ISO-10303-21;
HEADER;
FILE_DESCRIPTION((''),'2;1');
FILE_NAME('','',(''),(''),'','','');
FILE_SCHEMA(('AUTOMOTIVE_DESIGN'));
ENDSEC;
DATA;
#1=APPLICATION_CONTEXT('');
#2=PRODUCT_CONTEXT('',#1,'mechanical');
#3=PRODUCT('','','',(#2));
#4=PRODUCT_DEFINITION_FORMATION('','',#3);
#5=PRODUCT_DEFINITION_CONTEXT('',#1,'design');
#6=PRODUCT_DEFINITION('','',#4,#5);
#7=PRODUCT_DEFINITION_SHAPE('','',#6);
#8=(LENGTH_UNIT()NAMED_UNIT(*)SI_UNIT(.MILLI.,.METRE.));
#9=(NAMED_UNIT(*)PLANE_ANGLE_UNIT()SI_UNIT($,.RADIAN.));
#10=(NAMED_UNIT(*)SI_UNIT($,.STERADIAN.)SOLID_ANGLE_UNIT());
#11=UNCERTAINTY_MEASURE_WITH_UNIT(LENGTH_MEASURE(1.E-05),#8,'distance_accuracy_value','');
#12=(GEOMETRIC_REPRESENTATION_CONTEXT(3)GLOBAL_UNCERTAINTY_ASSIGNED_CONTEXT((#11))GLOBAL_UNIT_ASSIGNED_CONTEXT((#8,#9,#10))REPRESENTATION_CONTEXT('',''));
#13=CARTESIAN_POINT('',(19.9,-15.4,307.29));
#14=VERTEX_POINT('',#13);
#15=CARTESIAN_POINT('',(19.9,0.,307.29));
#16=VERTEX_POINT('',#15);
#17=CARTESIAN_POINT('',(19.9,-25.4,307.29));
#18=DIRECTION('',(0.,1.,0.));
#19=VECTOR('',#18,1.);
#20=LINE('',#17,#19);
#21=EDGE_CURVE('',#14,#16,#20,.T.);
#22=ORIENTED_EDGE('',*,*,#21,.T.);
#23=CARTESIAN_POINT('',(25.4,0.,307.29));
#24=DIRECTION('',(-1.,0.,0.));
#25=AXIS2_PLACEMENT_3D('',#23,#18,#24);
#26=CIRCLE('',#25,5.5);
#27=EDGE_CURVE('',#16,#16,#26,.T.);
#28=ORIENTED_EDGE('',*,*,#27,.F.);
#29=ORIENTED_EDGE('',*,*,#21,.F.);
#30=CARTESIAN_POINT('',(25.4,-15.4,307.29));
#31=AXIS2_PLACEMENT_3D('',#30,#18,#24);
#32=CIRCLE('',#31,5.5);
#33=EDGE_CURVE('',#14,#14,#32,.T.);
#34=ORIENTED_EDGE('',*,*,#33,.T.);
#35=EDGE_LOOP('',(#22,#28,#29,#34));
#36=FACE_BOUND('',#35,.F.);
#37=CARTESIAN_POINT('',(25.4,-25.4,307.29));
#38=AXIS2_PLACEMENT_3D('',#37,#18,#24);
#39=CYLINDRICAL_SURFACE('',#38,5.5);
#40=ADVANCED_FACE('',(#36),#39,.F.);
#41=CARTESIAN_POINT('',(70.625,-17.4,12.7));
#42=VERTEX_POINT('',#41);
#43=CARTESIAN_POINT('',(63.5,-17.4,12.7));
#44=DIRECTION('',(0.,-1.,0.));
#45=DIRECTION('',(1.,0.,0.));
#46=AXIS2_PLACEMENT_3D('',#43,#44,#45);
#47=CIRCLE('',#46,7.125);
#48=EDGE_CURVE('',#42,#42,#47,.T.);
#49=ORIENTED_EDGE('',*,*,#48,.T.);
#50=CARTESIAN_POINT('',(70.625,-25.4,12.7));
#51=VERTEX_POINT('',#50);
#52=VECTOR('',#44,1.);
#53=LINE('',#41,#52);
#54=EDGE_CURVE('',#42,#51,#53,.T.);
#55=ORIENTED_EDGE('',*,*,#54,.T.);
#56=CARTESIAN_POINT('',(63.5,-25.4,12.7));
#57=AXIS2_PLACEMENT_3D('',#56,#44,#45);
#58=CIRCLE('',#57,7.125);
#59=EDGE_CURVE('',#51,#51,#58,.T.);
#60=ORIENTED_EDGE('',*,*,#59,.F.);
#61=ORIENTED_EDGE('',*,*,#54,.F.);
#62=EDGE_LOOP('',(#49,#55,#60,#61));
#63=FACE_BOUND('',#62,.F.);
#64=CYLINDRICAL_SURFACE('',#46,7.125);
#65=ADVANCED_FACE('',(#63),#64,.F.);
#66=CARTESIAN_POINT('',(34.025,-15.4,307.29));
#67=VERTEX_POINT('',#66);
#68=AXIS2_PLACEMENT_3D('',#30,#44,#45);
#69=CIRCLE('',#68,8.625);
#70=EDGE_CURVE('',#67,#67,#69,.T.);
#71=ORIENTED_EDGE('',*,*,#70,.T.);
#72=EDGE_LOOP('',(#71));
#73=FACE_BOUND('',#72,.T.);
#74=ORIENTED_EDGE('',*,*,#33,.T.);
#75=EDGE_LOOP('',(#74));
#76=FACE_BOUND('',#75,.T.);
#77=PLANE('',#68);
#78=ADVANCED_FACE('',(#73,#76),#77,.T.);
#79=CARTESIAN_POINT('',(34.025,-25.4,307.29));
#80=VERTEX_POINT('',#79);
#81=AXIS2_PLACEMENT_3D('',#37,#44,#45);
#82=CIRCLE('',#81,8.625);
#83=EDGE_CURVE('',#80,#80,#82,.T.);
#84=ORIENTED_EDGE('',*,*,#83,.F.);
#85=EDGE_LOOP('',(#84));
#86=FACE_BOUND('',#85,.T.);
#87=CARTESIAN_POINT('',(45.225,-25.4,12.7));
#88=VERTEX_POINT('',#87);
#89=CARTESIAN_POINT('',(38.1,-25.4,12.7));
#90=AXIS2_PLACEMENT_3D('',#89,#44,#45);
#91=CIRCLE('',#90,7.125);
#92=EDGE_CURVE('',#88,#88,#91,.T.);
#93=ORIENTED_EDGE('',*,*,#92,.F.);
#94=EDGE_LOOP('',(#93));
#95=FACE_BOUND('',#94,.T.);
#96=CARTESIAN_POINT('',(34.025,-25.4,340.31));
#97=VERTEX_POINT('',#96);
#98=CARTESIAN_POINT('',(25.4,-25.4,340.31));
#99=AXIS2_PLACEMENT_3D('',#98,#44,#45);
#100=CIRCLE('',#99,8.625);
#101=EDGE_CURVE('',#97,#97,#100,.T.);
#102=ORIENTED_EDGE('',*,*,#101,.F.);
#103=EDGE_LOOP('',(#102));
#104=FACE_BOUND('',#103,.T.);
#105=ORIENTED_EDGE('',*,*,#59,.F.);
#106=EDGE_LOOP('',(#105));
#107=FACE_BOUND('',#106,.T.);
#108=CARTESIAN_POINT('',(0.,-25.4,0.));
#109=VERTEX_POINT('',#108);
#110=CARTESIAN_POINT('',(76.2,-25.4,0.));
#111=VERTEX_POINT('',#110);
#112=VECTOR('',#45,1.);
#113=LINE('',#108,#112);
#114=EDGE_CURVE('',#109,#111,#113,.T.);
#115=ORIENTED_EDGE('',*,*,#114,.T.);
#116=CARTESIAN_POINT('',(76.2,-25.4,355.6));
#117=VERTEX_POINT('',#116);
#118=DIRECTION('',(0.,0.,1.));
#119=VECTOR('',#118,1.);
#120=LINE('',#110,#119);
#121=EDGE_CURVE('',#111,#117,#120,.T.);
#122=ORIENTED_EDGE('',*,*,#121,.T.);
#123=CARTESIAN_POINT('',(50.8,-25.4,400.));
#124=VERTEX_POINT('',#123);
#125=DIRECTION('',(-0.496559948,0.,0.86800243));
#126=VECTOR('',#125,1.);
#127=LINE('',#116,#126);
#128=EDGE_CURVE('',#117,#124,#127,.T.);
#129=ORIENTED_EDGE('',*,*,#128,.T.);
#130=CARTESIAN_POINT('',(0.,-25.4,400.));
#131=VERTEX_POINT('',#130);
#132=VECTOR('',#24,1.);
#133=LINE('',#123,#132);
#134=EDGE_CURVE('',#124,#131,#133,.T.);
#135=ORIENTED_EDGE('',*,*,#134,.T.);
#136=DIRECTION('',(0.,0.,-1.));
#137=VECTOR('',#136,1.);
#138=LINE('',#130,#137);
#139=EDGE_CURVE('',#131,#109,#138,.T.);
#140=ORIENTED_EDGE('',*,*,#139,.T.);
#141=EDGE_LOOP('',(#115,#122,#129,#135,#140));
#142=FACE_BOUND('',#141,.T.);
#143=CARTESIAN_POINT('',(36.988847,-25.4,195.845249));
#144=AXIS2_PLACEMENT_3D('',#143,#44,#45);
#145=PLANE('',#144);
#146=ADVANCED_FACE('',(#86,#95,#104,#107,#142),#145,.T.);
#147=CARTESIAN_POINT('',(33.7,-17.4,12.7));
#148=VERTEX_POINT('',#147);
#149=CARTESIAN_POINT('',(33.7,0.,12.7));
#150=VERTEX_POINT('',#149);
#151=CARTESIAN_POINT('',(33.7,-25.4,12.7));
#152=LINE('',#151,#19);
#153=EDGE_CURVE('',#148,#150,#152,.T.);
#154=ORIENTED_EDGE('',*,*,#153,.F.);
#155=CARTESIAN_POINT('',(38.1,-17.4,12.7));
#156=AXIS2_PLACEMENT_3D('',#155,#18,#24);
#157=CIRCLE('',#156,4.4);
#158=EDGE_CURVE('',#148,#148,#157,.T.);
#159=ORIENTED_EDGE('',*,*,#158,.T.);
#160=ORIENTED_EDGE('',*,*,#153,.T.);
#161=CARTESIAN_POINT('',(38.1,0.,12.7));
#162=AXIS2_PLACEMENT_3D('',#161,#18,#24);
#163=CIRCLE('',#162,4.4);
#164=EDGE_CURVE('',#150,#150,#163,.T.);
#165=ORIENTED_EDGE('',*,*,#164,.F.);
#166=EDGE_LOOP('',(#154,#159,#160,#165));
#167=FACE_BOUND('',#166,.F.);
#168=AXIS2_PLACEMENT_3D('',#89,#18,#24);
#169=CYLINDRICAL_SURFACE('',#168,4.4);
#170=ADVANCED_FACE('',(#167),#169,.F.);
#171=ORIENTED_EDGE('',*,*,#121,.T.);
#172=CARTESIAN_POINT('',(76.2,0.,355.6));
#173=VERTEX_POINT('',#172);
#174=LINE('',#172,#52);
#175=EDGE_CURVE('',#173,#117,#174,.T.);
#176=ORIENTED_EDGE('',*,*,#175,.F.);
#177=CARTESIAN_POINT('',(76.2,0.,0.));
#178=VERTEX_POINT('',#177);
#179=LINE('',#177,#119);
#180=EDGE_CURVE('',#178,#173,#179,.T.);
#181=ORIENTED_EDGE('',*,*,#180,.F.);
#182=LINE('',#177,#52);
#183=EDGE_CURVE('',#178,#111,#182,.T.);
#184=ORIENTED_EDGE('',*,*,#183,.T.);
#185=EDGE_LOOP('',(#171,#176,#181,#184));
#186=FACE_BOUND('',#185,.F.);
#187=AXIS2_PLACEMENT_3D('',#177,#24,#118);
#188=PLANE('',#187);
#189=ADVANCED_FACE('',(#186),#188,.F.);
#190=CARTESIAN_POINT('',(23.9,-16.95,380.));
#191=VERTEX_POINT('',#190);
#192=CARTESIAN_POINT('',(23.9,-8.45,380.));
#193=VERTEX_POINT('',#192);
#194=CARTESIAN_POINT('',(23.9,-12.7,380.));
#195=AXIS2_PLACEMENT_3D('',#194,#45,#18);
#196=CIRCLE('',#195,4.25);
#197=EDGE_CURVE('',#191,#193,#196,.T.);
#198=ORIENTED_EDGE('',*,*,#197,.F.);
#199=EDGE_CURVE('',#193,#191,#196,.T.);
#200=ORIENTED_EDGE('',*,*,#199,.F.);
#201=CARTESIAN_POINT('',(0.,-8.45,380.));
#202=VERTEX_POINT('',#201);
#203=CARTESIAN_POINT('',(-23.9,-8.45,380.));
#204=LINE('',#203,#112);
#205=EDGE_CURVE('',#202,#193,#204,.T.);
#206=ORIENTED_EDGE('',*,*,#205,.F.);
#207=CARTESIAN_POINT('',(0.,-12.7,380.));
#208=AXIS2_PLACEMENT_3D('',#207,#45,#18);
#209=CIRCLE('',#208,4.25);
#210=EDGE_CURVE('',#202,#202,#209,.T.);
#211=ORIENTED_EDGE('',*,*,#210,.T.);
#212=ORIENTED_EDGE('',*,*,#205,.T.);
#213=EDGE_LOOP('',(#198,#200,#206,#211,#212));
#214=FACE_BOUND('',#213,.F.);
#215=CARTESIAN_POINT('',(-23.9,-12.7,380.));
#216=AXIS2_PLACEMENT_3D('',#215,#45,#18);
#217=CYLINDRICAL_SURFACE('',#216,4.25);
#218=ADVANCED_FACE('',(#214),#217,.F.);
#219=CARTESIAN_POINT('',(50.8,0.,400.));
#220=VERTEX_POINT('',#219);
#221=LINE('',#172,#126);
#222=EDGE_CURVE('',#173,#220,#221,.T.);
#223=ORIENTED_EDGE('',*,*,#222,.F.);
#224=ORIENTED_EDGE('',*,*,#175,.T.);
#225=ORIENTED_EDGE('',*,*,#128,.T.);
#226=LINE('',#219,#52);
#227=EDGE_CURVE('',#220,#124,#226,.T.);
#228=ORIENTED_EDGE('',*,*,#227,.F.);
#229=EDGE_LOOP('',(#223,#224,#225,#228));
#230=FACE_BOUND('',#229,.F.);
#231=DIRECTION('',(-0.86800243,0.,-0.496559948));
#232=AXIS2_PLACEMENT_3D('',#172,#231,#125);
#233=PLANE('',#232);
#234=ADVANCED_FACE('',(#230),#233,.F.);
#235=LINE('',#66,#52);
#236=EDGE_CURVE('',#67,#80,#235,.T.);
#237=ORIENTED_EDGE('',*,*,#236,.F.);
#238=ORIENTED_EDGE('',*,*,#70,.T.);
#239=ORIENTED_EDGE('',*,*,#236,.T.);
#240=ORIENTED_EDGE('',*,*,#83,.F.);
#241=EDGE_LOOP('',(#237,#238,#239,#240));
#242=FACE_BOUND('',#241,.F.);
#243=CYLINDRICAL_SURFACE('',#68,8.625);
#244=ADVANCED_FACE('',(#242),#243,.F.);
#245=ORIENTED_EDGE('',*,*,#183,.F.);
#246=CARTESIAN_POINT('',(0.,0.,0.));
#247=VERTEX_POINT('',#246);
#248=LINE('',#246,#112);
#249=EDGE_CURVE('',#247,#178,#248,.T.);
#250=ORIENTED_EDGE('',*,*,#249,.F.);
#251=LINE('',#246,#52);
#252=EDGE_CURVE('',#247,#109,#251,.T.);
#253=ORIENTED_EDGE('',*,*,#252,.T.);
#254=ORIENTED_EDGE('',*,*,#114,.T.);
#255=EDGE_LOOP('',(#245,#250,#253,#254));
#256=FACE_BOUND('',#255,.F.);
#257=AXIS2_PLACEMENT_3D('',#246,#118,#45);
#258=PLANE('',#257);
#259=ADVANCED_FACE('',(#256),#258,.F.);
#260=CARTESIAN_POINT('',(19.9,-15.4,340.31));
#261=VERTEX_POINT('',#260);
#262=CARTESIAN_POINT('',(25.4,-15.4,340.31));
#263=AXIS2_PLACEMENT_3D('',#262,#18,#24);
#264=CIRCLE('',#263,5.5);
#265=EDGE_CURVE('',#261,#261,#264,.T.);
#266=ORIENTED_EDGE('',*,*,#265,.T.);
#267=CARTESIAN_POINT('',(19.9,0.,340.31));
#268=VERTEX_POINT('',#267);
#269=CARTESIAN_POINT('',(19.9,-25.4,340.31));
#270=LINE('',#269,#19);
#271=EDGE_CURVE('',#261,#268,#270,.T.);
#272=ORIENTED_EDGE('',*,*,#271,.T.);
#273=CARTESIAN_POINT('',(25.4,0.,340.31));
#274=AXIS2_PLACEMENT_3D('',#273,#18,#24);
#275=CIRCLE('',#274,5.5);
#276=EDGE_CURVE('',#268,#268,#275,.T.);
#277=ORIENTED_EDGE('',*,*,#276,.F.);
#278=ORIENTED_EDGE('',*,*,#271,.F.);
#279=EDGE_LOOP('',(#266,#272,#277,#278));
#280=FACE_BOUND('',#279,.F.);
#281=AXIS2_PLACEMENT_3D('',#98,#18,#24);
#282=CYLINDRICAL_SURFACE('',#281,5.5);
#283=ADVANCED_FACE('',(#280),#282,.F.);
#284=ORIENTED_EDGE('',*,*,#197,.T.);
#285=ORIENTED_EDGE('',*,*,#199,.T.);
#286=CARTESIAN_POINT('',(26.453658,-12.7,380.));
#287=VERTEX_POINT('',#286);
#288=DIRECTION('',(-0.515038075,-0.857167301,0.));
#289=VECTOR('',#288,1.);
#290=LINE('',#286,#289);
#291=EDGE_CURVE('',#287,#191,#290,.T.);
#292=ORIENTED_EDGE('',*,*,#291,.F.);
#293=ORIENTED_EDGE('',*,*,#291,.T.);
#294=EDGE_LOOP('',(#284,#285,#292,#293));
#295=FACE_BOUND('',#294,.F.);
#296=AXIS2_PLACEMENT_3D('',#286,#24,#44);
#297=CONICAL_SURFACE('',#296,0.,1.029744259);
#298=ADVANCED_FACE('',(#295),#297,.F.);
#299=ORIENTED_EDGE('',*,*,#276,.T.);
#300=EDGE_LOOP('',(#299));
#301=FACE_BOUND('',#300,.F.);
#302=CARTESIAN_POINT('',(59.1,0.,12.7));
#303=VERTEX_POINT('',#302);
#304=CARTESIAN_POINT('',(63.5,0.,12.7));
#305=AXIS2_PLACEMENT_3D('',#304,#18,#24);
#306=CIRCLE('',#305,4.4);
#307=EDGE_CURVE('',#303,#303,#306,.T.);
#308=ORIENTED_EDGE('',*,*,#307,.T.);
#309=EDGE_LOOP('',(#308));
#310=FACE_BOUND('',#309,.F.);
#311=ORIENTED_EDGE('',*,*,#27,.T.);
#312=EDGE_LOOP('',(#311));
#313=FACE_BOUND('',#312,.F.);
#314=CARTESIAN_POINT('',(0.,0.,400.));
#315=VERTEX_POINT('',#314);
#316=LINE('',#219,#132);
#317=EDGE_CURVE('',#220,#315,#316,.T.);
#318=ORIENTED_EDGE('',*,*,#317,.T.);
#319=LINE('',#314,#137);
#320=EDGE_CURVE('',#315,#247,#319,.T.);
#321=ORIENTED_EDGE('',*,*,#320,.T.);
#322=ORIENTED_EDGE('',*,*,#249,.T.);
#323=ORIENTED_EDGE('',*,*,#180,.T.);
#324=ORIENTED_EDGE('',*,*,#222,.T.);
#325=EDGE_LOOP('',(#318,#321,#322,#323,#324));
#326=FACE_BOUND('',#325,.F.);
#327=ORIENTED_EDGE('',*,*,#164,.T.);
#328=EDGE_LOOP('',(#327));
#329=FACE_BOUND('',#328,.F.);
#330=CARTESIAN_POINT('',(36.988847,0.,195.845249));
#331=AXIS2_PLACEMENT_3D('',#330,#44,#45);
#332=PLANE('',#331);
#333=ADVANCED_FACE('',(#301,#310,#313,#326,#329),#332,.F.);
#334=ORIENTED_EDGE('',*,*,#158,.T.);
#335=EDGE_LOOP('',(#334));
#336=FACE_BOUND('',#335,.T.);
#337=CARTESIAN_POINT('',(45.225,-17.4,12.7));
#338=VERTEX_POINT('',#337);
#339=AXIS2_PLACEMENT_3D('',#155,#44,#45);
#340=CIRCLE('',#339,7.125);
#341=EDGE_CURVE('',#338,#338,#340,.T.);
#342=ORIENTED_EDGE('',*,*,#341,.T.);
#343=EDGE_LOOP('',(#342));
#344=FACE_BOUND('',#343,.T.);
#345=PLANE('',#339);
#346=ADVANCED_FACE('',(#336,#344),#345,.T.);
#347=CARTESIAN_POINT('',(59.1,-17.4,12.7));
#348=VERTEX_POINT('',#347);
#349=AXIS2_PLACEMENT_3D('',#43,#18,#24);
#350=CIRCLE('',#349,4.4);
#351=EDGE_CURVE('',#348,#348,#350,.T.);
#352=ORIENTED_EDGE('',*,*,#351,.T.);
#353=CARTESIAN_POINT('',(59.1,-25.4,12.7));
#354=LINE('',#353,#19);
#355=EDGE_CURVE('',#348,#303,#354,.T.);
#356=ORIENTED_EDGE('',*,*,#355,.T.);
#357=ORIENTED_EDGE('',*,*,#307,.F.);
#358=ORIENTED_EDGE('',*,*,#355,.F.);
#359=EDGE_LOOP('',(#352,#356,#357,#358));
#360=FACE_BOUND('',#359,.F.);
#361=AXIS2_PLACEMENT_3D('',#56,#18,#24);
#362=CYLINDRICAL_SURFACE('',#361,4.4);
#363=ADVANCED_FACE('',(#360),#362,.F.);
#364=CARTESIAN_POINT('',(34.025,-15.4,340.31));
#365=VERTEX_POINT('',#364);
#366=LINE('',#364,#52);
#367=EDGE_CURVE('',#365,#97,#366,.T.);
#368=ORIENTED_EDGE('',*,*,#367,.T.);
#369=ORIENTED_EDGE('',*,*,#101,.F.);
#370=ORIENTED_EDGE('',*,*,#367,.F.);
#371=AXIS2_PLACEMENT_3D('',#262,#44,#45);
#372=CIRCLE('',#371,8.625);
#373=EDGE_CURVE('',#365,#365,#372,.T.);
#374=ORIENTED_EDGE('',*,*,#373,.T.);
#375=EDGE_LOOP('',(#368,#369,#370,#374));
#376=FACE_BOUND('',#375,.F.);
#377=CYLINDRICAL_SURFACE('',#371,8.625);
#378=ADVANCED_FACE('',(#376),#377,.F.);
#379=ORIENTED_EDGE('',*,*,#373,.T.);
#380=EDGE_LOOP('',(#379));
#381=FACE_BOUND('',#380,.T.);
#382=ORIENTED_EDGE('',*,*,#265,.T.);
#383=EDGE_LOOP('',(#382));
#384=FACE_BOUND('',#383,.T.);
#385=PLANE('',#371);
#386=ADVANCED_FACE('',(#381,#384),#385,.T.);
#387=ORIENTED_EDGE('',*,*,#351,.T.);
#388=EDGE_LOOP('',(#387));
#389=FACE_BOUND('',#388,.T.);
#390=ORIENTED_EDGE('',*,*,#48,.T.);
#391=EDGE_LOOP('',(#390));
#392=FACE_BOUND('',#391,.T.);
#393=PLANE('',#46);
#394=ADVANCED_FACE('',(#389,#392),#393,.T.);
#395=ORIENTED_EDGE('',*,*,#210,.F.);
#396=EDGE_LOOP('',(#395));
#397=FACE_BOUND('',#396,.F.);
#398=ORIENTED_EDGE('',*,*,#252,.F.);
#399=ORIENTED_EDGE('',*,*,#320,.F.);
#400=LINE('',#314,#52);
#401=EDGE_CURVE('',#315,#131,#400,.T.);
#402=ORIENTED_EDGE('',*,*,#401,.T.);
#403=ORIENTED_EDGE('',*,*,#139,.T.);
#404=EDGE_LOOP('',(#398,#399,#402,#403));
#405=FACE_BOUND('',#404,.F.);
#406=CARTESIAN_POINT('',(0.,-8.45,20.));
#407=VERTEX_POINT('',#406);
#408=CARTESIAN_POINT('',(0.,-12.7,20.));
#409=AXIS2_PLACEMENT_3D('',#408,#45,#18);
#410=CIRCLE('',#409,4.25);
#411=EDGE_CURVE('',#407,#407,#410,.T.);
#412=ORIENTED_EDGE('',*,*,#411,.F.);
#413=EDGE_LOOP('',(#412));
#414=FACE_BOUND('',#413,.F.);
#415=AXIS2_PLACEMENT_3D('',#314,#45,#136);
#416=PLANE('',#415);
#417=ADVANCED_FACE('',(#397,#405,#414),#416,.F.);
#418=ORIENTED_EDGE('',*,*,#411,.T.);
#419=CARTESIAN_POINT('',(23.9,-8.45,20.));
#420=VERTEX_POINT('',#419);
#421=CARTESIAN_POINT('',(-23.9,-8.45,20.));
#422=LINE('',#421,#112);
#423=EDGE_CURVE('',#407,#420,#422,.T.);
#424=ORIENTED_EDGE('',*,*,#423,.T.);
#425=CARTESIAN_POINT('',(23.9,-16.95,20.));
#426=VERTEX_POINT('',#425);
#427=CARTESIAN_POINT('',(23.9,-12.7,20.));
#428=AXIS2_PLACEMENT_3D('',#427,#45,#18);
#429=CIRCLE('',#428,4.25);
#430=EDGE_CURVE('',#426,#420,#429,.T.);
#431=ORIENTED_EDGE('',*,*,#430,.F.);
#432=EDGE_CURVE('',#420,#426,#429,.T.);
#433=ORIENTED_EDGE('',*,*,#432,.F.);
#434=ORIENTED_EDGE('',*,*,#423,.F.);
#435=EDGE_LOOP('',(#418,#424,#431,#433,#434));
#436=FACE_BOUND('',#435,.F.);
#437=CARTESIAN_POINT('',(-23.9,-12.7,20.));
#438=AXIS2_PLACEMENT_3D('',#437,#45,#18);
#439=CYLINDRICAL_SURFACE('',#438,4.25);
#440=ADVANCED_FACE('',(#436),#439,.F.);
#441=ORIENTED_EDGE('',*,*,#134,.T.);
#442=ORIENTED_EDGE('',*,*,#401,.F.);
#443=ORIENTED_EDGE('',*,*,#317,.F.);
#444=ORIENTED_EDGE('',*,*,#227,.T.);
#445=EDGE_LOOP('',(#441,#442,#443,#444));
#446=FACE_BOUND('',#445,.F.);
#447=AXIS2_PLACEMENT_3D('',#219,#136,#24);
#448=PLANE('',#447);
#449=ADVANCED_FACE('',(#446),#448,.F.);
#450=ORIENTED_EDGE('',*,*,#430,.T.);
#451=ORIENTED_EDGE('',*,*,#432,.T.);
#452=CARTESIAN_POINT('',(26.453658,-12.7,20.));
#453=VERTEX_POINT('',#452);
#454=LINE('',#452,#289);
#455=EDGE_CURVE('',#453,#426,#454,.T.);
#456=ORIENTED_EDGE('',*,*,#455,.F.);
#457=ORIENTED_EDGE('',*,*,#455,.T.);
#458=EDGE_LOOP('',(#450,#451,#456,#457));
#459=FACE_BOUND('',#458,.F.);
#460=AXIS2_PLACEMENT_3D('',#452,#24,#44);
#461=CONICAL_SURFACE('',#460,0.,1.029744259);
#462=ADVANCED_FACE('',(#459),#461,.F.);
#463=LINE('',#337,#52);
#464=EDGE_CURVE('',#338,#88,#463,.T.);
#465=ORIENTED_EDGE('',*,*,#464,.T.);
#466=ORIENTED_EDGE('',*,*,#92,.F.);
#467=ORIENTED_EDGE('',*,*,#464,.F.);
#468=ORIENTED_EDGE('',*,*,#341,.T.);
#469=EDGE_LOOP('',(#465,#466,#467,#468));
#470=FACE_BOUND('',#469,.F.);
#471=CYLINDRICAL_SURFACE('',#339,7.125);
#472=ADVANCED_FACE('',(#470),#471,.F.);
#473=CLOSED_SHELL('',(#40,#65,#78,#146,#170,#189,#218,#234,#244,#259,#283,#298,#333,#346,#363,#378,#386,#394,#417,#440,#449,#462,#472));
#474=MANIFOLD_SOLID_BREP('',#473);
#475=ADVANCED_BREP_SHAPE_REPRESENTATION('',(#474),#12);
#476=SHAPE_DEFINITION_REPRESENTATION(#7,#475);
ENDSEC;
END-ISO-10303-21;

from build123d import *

# Parameters (mm, degrees)
F1_DEPTH       = 25.4
F3_D           = 8.5
F3_DEPTH       = 23.9
F3_TIP         = 2.5536576309
F5_D           = 8.8
F5_CBORE_D     = 14.25
F5_CBORE_DEPTH = 8
F7_D           = 11
F7_CBORE_D     = 17.25
F7_CBORE_DEPTH = 10


with BuildPart() as f1:
    # F0 (on Front) → F1 (new body)
    with BuildSketch(Plane.XZ):
        Polygon((0, 400), (0, 0), (76.2, 0), (76.2, 355.6), (50.8, 400), align=None)
    extrude(amount=F1_DEPTH)

    # F3
    with Locations(Plane(origin=(0, 0, 0), x_dir=(0, -1, 0), z_dir=(-1, 0, 0))):
        with Locations((12.7, 20), (12.7, 380)):
            Hole(F3_D / 2, depth=F3_DEPTH)
            with Locations((0, 0, -(F3_DEPTH + F3_TIP / 2))):  # 118° drill point
                Cone(0, F3_D / 2, F3_TIP, mode=Mode.SUBTRACT)

    # F5 (through all)
    with Locations(Plane.XZ.offset(25.4)):
        with Locations((38.1, 12.7), (63.5, 12.7)):
            CounterBoreHole(F5_D / 2, F5_CBORE_D / 2, F5_CBORE_DEPTH)

    # F7 (through all)
    with Locations(Plane.XZ.offset(25.4)):
        with Locations((25.4, 340.31), (25.4, 307.29)):
            CounterBoreHole(F7_D / 2, F7_CBORE_D / 2, F7_CBORE_DEPTH)


solid = f1.part
